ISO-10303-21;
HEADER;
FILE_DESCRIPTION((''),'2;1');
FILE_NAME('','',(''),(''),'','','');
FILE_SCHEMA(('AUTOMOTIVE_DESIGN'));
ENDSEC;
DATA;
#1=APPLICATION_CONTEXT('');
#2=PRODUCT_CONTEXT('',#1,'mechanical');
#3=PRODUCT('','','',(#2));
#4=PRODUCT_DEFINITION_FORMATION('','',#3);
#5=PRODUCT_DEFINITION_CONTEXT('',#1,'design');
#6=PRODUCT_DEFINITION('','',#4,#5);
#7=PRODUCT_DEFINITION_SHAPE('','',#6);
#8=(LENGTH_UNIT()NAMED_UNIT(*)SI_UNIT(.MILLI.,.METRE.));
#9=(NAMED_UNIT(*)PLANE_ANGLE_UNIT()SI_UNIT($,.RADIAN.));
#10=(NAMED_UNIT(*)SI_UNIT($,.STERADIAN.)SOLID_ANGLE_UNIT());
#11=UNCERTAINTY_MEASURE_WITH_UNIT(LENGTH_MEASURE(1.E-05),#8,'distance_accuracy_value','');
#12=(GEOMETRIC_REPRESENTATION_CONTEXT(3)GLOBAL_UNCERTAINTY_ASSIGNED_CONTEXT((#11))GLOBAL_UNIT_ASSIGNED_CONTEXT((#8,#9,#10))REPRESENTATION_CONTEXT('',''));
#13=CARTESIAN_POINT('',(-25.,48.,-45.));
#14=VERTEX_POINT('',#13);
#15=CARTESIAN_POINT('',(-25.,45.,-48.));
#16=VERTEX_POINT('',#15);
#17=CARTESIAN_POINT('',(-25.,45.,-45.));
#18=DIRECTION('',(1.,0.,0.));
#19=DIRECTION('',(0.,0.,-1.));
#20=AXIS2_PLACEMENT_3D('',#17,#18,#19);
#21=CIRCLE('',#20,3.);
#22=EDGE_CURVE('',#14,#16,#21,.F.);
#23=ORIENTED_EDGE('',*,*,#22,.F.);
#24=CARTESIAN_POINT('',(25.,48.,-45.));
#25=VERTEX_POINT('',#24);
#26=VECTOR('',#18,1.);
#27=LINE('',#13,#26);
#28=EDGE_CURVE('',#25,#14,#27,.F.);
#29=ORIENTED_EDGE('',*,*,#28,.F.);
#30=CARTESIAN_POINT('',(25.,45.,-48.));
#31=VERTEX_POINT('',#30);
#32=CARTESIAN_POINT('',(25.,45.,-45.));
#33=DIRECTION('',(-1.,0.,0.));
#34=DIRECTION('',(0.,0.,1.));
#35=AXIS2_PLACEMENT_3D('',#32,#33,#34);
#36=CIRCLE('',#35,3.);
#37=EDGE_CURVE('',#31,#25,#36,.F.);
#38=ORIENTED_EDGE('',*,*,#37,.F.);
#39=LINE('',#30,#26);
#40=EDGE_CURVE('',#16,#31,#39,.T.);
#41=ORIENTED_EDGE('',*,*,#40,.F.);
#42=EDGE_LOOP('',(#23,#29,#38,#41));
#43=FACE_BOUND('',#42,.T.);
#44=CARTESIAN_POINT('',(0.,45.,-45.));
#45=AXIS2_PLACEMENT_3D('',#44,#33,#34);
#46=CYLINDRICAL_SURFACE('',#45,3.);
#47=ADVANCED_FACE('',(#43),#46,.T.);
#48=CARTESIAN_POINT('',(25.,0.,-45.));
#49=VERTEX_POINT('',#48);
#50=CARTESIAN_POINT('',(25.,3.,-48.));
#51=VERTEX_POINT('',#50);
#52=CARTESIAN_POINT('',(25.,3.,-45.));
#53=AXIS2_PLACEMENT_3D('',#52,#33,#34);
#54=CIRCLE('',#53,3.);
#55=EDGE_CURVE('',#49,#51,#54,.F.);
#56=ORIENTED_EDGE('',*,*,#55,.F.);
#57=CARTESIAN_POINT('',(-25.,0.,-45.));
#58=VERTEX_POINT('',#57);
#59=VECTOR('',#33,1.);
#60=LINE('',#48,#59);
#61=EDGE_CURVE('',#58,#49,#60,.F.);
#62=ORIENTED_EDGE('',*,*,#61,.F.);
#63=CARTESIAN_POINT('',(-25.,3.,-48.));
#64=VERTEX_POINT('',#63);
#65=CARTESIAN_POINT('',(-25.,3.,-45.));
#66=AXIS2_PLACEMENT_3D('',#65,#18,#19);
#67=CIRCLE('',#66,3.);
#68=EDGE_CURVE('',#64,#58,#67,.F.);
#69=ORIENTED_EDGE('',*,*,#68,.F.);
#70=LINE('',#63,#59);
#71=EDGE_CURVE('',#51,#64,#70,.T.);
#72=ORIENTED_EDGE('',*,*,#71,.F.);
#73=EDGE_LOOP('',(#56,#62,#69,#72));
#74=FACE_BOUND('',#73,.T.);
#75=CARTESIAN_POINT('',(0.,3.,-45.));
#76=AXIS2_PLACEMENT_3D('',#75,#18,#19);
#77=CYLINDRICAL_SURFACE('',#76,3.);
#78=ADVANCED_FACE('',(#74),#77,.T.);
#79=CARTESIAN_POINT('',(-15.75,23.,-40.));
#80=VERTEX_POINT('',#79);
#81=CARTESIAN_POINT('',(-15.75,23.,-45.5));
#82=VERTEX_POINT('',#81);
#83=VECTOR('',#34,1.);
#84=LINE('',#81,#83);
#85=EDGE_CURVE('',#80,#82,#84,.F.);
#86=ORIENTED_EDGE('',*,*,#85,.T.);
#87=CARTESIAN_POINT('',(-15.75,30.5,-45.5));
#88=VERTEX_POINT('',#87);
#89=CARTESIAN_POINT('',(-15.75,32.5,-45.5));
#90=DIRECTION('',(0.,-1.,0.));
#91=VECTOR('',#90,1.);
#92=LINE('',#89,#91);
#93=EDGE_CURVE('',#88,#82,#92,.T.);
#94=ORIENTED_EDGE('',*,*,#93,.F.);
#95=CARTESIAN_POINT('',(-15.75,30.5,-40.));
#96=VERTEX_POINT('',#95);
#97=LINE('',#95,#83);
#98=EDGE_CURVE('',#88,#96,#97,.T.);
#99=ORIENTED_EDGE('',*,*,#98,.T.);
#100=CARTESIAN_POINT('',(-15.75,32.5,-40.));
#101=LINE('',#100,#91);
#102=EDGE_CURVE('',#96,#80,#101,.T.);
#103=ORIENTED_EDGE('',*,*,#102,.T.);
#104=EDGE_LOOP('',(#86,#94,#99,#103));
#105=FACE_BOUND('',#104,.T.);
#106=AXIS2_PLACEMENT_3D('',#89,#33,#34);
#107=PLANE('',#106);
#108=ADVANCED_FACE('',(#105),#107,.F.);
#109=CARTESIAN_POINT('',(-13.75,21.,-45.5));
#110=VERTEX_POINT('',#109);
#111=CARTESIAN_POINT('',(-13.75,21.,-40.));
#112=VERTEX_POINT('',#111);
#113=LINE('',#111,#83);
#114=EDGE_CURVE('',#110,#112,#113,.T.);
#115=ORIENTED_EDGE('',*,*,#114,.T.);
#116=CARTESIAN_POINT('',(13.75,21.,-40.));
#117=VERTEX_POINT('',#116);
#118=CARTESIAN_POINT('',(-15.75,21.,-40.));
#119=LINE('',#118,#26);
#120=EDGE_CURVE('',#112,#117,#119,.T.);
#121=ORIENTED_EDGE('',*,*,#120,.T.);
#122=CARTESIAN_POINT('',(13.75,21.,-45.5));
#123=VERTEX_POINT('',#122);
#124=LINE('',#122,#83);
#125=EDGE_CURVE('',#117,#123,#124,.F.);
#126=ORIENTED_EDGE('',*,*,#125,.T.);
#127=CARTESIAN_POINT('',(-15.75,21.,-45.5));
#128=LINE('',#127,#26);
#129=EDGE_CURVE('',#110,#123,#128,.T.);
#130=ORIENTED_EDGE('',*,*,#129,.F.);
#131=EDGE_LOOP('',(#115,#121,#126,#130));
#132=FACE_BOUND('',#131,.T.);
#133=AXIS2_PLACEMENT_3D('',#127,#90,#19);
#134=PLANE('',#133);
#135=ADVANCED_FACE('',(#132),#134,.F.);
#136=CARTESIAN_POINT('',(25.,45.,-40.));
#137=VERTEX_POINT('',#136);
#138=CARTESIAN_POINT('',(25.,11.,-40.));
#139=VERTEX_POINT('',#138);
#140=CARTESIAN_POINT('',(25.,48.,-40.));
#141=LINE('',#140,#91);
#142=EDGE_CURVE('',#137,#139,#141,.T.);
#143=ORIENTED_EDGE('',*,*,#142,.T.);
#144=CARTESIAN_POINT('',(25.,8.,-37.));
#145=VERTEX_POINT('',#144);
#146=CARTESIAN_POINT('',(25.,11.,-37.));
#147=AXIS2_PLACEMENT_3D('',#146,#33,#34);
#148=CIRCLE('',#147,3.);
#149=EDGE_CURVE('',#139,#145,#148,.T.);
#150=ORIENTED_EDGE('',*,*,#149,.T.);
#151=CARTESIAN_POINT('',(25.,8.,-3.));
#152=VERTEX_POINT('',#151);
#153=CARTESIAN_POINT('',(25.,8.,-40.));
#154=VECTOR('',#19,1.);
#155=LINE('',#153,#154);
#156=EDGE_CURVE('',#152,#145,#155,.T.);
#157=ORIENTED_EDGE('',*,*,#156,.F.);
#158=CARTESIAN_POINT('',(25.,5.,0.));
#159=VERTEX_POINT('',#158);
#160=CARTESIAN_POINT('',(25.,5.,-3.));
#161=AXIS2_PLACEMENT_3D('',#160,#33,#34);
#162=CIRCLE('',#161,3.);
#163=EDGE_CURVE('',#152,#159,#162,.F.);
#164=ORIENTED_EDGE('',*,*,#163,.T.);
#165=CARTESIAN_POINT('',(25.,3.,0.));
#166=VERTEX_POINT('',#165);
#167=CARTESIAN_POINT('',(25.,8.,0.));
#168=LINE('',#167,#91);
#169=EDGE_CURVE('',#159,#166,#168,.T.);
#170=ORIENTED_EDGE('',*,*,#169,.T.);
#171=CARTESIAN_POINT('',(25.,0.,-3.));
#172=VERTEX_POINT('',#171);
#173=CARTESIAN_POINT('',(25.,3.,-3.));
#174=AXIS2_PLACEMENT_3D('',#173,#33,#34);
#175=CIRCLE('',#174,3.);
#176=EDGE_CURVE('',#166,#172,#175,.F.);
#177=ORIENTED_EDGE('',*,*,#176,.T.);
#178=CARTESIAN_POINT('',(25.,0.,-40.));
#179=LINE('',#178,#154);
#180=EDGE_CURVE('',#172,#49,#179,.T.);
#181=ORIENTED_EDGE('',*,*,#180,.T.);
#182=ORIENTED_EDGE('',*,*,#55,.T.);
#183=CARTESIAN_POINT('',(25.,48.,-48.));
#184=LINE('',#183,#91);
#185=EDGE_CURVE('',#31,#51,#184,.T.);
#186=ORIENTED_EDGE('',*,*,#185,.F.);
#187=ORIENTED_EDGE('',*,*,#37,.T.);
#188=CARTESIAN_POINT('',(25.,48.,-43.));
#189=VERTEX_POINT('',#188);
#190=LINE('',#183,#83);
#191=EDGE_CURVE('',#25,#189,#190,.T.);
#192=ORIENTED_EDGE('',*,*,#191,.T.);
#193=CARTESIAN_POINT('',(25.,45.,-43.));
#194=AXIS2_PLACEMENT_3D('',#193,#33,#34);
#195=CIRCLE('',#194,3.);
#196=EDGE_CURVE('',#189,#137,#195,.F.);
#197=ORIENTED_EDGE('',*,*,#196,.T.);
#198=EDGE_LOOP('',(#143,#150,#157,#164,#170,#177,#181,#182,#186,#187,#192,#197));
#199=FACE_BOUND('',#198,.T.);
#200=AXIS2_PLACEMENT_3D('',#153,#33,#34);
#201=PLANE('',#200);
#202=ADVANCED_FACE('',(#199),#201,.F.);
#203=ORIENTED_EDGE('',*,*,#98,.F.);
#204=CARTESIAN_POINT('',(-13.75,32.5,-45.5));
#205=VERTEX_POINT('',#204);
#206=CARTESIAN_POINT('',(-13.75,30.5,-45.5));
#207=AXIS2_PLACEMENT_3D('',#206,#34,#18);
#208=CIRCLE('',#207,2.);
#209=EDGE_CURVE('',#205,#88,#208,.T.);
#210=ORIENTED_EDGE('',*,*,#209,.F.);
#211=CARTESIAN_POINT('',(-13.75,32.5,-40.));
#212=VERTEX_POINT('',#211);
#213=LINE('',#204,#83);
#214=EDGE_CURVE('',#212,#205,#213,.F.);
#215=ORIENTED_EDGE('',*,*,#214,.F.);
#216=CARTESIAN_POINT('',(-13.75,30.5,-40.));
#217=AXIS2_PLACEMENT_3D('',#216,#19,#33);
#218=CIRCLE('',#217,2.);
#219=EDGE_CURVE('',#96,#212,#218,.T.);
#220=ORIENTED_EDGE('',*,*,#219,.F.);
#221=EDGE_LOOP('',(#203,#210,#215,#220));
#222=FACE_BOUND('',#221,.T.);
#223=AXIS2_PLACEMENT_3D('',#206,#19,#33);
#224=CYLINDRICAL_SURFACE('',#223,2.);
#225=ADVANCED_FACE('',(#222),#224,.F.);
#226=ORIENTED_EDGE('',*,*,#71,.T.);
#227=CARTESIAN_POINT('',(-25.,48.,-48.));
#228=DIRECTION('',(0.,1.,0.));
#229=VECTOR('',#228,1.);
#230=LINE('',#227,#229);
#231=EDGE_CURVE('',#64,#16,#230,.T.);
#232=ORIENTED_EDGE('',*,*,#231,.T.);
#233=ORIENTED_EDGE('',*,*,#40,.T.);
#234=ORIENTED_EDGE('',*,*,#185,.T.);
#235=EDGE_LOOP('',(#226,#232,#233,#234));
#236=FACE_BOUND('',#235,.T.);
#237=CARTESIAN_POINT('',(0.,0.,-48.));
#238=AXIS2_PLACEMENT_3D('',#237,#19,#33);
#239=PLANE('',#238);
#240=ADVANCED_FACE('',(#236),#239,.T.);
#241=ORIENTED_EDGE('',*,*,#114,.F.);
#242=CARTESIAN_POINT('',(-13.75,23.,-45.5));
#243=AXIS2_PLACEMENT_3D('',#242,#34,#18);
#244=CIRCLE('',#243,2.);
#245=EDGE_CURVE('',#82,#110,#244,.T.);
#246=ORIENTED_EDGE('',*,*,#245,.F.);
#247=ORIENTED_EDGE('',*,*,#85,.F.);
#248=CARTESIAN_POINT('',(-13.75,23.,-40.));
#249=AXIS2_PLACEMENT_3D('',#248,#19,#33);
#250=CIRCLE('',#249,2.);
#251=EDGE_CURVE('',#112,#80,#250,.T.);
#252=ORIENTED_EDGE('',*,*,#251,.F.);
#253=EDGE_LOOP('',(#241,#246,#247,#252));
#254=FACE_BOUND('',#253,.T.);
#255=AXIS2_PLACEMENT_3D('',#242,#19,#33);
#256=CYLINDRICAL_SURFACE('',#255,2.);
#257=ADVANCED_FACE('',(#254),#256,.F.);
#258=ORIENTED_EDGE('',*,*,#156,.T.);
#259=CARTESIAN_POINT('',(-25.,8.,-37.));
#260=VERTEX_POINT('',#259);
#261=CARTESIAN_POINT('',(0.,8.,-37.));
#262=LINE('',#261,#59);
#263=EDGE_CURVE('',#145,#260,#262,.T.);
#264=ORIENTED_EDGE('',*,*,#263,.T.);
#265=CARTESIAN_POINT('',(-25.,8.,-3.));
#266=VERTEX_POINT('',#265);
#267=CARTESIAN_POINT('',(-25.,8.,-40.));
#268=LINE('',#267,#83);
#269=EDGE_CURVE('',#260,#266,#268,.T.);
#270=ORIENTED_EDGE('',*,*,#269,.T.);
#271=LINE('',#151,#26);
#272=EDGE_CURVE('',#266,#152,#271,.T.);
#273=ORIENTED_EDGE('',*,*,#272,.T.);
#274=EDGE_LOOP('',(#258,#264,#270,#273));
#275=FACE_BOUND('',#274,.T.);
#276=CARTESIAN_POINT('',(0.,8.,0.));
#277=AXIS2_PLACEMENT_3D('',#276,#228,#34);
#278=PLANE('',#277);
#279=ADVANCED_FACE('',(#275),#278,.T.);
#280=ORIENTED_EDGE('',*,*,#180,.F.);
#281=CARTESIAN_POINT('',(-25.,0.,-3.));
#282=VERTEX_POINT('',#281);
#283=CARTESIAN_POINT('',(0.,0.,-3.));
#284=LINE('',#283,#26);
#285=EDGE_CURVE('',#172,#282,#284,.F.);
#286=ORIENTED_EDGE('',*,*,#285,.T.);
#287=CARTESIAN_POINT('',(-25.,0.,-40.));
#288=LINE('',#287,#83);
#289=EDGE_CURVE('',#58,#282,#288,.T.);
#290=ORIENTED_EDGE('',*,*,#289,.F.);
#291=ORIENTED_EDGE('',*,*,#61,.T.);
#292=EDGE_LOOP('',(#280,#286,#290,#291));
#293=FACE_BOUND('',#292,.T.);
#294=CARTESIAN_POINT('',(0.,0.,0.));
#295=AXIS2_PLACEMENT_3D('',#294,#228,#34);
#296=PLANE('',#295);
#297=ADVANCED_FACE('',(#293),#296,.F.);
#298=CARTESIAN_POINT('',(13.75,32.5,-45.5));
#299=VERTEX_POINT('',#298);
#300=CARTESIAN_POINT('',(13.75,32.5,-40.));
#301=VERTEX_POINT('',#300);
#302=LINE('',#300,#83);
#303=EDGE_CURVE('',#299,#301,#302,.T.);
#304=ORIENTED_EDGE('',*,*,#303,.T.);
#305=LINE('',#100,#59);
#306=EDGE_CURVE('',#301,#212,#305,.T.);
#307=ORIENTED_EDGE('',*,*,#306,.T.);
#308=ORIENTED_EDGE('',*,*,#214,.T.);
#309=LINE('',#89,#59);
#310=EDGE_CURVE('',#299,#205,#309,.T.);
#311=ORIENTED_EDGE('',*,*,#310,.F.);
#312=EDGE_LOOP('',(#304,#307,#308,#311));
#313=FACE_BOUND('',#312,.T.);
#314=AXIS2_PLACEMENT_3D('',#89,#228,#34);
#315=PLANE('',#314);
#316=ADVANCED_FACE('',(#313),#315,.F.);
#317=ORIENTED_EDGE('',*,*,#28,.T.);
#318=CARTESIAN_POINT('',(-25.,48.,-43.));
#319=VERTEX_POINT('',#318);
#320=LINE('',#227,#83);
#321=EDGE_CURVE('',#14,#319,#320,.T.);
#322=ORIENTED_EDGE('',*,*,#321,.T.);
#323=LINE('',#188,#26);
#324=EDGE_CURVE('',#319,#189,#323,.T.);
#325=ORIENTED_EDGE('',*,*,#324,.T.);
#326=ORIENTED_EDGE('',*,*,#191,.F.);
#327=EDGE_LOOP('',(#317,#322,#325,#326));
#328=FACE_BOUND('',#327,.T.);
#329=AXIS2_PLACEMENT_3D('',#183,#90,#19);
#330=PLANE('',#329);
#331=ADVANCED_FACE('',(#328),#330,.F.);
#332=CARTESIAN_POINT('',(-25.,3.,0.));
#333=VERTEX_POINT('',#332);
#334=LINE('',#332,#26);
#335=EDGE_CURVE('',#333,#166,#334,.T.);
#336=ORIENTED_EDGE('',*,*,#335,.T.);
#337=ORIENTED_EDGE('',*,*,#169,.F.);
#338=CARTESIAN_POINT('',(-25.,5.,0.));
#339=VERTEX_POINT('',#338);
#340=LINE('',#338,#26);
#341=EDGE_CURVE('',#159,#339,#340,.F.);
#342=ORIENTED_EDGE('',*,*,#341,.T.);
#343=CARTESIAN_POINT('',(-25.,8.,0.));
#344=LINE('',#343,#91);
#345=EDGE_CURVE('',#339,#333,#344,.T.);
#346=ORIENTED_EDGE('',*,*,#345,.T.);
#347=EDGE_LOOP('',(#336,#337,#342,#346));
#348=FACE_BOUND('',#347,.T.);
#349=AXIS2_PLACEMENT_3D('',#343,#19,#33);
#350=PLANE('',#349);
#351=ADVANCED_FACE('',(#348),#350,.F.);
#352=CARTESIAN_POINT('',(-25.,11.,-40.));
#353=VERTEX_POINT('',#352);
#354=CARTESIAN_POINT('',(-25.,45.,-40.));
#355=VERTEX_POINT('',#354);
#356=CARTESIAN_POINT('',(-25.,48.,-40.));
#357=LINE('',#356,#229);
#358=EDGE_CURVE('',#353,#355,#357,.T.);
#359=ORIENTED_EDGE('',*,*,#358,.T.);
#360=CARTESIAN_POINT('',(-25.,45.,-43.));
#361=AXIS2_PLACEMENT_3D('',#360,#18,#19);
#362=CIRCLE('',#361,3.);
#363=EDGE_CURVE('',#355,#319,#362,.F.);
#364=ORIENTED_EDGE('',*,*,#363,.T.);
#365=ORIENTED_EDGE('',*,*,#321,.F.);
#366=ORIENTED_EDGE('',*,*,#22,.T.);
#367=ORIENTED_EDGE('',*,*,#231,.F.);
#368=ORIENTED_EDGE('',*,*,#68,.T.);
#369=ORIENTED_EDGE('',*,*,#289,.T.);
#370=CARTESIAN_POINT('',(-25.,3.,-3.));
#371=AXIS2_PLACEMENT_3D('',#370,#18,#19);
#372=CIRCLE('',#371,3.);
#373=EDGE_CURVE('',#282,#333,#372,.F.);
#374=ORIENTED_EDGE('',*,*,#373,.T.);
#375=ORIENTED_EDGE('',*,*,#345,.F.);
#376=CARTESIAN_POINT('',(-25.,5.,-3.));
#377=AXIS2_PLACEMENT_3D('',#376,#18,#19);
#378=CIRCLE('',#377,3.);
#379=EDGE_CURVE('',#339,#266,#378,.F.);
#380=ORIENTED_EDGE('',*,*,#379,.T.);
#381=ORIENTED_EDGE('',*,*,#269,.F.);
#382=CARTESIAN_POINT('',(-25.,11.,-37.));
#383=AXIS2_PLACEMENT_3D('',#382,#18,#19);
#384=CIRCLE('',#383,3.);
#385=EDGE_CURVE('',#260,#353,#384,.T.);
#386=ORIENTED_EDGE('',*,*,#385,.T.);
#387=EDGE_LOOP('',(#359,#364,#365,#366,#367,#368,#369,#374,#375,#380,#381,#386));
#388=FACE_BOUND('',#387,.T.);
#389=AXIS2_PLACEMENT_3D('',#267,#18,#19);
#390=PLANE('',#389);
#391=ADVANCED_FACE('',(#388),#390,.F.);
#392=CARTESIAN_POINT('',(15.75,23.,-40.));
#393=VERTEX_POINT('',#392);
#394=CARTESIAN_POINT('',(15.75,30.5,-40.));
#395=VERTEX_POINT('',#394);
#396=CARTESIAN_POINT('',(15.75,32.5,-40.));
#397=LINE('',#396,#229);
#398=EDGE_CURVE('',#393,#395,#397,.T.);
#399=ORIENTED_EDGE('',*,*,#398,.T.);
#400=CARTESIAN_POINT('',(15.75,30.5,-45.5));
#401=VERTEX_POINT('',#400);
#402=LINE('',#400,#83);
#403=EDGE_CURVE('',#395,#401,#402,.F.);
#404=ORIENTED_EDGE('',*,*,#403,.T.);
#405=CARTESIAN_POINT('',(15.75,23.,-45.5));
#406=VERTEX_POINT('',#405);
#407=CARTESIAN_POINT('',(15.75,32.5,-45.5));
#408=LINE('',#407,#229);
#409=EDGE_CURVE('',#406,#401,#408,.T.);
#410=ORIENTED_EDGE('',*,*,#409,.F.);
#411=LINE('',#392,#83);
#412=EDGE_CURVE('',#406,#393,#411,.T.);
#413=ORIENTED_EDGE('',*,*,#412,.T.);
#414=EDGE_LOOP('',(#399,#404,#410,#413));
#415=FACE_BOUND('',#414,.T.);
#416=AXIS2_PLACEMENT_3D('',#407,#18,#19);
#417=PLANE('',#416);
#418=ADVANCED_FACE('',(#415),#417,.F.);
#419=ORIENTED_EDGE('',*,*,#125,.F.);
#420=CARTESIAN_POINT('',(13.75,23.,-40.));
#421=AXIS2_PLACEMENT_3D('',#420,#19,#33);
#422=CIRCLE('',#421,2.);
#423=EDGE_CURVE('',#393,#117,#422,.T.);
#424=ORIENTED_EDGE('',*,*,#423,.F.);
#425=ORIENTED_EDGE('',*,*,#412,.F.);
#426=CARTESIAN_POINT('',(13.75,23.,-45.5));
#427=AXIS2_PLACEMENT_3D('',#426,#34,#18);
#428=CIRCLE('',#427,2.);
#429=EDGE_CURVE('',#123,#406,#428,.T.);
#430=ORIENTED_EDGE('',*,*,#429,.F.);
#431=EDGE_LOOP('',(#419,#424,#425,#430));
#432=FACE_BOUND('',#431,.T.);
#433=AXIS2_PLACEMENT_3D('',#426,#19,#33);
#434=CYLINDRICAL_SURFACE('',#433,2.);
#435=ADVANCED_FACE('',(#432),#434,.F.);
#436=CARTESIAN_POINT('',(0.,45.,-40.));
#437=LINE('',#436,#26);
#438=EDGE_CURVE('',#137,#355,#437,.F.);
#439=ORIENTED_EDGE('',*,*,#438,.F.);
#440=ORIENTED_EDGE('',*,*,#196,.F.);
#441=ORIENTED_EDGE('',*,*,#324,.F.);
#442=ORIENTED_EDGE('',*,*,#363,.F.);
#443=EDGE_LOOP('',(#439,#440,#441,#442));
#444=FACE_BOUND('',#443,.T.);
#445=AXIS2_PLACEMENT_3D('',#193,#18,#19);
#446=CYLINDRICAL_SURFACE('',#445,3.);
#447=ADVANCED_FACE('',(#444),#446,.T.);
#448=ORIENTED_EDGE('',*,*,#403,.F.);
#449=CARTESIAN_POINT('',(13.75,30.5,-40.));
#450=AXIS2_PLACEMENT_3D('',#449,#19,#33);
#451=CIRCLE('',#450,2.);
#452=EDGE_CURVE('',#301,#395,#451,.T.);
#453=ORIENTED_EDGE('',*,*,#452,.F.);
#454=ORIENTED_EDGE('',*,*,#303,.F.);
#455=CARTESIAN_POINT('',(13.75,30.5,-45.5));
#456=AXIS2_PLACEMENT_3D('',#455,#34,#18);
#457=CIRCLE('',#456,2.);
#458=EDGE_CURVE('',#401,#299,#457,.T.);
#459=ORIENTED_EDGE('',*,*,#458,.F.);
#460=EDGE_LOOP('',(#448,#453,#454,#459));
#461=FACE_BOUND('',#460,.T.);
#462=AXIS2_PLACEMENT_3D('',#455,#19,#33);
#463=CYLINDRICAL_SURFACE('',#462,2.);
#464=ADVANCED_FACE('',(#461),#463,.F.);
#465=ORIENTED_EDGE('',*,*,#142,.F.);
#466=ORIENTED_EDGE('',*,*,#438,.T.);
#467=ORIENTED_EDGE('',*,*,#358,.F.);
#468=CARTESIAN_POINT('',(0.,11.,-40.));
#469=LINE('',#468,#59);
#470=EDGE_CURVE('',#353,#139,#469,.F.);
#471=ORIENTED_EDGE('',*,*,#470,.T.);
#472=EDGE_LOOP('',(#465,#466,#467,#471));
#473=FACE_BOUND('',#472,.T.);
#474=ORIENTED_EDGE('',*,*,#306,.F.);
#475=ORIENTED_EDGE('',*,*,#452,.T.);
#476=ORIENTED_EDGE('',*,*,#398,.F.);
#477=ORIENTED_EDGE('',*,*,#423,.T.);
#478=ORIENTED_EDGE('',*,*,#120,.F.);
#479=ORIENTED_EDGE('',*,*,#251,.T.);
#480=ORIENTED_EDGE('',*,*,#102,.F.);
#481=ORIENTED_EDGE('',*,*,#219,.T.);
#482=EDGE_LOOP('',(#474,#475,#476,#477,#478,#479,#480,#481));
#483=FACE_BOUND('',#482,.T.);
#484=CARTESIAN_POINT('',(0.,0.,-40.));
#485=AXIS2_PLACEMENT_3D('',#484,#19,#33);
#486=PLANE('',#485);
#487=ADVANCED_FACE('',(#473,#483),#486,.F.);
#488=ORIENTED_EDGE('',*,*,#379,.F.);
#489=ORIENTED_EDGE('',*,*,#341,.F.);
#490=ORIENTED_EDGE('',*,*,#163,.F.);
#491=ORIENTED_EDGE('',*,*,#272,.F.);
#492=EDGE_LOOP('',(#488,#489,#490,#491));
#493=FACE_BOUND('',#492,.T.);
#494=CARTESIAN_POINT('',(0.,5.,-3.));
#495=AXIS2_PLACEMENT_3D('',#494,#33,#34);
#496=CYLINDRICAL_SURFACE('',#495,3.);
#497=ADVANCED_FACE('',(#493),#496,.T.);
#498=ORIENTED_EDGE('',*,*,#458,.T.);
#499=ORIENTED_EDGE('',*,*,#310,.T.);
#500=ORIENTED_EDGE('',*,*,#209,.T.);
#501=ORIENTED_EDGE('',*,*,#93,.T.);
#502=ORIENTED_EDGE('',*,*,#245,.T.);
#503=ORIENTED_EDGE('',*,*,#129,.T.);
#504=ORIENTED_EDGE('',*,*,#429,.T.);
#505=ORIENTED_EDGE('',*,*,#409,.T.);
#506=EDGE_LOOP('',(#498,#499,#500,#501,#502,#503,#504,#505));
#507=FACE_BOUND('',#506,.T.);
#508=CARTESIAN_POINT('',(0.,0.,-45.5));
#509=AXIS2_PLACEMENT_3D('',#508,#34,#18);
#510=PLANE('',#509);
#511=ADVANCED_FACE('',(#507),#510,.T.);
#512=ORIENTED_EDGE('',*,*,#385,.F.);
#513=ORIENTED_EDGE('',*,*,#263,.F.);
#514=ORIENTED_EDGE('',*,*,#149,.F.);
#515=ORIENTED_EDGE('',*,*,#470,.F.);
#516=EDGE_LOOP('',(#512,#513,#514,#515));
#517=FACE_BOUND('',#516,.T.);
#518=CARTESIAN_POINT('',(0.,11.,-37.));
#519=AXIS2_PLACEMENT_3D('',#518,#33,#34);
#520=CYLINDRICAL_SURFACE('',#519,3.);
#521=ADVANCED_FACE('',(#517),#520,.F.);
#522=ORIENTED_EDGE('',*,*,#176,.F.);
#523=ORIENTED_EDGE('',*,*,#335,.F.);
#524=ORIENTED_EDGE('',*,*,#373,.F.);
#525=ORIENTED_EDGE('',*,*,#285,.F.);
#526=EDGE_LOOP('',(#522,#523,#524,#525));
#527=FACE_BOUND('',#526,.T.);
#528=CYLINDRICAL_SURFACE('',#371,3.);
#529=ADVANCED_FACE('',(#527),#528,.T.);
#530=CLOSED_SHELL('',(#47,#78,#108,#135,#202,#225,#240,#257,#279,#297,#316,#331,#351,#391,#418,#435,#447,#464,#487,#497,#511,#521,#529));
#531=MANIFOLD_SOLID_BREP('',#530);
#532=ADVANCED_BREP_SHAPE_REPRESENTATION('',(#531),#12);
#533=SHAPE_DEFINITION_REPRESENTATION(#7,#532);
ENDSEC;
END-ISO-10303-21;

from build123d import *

# Parameters (mm, degrees)
SKETCH1_W           = 50
SKETCH1_H           = 40
BOSS_EXTRUDE1_DEPTH = 8
SKETCH2_W           = 50
SKETCH2_H           = 48
BOSS_EXTRUDE2_DEPTH = 8
SKETCH3_W           = 31.5
SKETCH3_H           = 11.5
CUT_EXTRUDE1_DEPTH  = 5.5
FILLET1_R           = 2
FILLET2_R           = 3


with BuildPart() as part:
    # Sketch1 → Boss-Extrude1 (new body)
    with BuildSketch(Plane(origin=(0, 0, 0), x_dir=(1, 0, 0), z_dir=(0, 1, 0))):
        with Locations((0, 20)):
            Rectangle(SKETCH1_W, SKETCH1_H)
    extrude(amount=BOSS_EXTRUDE1_DEPTH)

    # Sketch2 → Boss-Extrude2 (add)
    with BuildSketch(Plane(origin=(0, 0, -40), x_dir=(-1, 0, 0), z_dir=(0, 0, -1))):
        with Locations((0, 24)):
            Rectangle(SKETCH2_W, SKETCH2_H)
    extrude(amount=BOSS_EXTRUDE2_DEPTH)

    # Sketch3 → Cut-Extrude1 (cut)
    with BuildSketch(Plane.XY.offset(-40)):
        with Locations((0, 26.75)):
            Rectangle(SKETCH3_W, SKETCH3_H)
    extrude(amount=-CUT_EXTRUDE1_DEPTH, mode=Mode.SUBTRACT)

    # Fillet1
    fillet1_edges = [part.edges().sort_by_distance(p)[0] for p in [
        (-15.75, 21, -42.75),
        (-15.75, 32.5, -42.75),
        (15.75, 32.5, -42.75),
        (15.75, 21, -42.75),
    ]]
    fillet(fillet1_edges, radius=FILLET1_R)

    # Fillet2
    fillet2_edges = [part.edges().sort_by_distance(p)[0] for p in [
        (0, 48, -40),
        (0, 0, -48),
        (0, 8, -40),
        (0, 48, -48),
        (0, 0, 0),
        (0, 8, 0),
    ]]
    fillet(fillet2_edges, radius=FILLET2_R)


solid = part.part
